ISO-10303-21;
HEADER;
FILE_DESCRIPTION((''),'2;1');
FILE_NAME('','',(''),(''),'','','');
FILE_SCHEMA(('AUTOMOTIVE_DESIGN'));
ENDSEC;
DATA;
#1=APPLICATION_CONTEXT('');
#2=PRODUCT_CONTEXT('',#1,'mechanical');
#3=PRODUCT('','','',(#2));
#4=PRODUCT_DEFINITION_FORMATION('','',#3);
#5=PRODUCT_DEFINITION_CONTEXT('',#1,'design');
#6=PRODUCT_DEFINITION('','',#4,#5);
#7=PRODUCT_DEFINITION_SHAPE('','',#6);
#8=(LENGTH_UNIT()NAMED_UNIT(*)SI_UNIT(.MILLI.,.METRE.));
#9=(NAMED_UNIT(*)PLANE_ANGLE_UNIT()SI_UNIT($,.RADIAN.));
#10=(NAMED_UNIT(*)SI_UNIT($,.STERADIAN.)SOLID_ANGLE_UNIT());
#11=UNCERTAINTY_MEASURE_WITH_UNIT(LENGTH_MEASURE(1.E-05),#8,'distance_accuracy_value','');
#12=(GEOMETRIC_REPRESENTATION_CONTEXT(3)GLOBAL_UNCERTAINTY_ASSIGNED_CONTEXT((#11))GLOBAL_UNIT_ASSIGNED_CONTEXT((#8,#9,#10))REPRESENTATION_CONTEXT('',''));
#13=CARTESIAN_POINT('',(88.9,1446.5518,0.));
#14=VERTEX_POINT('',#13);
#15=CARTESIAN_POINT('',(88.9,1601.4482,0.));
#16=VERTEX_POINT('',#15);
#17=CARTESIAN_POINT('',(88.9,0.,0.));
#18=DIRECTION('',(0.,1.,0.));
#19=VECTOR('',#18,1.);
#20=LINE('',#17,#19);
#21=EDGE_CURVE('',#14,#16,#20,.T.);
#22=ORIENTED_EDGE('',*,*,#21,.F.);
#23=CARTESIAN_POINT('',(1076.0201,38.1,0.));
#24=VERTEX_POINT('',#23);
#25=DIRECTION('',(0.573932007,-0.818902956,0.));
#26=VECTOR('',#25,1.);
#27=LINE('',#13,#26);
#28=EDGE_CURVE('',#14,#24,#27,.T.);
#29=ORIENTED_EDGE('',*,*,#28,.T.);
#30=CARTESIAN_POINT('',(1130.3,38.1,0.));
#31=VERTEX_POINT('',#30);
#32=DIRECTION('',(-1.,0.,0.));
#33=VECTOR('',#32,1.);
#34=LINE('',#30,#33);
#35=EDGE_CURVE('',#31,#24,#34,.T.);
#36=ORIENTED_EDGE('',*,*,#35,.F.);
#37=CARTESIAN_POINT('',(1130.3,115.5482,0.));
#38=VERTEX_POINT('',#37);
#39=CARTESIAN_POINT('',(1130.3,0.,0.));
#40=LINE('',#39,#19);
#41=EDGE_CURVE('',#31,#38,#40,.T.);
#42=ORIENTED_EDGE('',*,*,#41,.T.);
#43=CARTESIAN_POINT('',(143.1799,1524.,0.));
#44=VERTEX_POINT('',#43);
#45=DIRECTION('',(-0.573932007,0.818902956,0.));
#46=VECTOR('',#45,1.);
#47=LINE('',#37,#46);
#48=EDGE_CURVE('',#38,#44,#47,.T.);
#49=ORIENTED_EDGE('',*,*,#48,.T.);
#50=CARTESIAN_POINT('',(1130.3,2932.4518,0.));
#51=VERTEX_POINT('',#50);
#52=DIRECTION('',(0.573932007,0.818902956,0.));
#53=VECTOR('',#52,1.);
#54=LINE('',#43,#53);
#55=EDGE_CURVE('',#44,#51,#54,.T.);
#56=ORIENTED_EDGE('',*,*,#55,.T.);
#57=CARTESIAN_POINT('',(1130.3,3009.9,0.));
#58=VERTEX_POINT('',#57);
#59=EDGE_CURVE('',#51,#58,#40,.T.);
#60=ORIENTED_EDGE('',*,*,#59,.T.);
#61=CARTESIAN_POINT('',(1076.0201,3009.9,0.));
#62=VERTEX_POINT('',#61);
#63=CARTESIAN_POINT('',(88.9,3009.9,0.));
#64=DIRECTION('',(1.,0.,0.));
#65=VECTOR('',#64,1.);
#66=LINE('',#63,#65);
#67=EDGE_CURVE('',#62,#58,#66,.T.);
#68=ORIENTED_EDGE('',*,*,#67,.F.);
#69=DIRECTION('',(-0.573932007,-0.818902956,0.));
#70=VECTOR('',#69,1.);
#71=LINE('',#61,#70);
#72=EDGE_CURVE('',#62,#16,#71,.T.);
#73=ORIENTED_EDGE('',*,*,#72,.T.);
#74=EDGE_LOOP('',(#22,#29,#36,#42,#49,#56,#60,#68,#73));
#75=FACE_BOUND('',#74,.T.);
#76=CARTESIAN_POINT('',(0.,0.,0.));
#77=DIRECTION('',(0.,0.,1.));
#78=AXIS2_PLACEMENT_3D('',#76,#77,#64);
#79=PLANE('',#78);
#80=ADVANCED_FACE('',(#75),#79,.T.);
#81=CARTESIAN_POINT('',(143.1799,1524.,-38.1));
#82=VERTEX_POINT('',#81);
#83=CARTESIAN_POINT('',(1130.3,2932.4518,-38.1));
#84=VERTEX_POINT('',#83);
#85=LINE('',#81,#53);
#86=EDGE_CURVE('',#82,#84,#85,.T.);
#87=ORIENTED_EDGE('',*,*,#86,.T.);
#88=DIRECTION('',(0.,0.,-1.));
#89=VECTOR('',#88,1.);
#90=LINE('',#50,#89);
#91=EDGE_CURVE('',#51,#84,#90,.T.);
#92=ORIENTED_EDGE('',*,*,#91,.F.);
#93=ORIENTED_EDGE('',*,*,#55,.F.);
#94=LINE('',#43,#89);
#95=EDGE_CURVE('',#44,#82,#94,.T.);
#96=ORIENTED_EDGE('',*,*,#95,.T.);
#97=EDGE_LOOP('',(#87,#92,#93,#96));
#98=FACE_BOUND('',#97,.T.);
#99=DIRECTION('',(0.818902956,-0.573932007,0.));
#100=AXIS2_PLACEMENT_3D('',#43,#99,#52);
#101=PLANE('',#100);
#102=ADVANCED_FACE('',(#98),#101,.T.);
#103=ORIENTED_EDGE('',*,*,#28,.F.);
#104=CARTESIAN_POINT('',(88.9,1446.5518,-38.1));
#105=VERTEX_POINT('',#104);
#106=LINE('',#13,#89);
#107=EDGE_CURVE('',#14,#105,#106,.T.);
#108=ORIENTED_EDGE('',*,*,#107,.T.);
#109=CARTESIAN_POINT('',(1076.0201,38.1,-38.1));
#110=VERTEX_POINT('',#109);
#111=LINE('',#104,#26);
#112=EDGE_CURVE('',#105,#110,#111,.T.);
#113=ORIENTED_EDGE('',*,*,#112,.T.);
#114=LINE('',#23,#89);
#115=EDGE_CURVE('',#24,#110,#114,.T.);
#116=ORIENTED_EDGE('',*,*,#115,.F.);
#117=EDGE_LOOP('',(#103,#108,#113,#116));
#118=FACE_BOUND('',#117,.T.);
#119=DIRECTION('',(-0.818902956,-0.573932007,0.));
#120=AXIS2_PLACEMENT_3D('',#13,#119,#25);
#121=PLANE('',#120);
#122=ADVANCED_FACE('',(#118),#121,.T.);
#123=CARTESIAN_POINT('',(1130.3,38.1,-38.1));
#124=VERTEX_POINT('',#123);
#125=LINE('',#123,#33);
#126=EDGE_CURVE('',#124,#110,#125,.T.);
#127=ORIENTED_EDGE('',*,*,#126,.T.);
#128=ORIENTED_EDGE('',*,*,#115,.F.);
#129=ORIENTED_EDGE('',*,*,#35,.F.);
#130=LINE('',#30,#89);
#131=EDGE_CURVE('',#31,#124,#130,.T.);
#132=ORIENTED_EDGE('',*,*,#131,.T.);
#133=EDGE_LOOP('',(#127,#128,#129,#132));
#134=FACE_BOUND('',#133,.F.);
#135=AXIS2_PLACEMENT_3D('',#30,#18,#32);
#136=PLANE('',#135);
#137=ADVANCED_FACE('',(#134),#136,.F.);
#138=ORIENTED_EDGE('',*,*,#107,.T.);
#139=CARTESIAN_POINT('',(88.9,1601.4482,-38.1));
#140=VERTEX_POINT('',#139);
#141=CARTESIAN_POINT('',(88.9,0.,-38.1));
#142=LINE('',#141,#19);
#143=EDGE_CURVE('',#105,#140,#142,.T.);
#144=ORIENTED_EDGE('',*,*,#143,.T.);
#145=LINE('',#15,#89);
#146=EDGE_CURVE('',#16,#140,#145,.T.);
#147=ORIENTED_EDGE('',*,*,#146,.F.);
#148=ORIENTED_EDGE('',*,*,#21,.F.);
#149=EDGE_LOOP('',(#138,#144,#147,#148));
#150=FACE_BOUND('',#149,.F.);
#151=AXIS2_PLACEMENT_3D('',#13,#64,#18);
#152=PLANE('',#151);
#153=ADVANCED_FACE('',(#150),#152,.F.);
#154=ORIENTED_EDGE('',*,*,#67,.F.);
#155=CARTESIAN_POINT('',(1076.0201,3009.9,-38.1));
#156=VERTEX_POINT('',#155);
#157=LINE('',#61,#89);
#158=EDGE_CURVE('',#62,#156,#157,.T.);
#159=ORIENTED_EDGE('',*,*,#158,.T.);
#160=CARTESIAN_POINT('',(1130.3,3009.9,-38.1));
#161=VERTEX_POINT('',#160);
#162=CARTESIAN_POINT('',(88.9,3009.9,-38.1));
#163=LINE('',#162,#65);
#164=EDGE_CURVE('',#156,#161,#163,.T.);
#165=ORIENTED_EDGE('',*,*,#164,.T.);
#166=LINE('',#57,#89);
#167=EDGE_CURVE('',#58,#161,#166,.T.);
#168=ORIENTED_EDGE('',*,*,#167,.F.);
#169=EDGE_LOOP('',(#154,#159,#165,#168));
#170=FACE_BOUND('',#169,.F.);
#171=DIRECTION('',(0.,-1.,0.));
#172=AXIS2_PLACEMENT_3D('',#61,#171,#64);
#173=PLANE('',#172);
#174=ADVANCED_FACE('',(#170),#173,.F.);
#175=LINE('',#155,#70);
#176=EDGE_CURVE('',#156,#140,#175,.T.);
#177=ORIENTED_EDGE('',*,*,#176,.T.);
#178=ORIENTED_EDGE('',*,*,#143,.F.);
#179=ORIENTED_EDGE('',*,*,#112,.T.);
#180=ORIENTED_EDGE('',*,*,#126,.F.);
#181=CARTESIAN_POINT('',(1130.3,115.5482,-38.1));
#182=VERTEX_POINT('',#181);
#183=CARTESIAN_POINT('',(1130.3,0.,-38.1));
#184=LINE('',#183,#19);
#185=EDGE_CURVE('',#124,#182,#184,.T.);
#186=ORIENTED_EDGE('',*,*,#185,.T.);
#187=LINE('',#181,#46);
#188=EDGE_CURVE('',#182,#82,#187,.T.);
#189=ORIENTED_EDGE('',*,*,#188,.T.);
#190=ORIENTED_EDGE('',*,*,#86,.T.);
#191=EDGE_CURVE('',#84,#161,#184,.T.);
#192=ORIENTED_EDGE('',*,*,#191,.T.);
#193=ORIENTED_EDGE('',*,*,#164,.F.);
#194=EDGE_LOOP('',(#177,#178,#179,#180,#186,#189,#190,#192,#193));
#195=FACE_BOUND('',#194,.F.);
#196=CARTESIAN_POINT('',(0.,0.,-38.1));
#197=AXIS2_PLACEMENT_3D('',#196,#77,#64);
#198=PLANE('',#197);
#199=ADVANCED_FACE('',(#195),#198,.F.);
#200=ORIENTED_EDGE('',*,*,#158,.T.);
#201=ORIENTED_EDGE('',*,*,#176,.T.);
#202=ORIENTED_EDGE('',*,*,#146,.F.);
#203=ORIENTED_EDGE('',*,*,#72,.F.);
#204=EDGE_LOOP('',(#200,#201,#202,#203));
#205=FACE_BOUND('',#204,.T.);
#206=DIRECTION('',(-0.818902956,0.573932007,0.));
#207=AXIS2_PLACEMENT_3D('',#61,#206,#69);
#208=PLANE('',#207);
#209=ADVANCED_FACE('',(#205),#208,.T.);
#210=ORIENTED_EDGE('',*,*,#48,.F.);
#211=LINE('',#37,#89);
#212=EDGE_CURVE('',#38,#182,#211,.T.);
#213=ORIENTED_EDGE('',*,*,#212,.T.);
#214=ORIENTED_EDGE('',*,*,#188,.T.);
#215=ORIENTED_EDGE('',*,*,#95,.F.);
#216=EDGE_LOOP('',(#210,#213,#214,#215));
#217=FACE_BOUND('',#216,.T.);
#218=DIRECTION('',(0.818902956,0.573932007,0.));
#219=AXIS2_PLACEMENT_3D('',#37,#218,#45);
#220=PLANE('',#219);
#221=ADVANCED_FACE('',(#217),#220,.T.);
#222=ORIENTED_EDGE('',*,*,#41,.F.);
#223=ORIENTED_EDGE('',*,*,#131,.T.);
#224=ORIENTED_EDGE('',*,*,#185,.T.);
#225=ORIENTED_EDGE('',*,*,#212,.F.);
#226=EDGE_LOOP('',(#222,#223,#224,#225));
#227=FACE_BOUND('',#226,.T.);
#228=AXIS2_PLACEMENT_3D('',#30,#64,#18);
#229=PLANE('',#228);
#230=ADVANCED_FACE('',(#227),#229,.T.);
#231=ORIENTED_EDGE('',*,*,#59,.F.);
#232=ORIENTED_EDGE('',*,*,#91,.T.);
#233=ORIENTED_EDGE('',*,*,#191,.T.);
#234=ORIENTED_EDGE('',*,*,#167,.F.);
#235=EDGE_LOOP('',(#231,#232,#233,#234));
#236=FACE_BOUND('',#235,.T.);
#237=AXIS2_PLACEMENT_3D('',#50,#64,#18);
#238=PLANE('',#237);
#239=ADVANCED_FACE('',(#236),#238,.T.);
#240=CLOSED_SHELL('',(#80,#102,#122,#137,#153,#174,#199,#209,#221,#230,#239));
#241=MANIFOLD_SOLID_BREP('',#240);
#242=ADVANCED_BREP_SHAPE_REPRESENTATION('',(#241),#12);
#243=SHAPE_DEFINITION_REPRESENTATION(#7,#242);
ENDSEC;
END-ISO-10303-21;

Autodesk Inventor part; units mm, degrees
ref_plane "YZ Plane" through (0, 0, 0) normal (1, 0, 0) x (0, 1, 0)
ref_plane "XZ Plane" through (0, 0, 0) normal (0, 1, 0) x (-1, 0, 0)
ref_plane "XY Plane" through (0, 0, 0) normal (0, 0, 1) x (1, 0, 0)
sketch "Sketch1" plane through (0, 0, 0) normal (0, 0, 1) x (1, 0, 0)
  line L0 (88.9, 0) -> (88.9, 3048) projected
  line L1 (1130.3, 38.1) -> (88.9, 38.1) projected
  line L2 (1130.3, 0) -> (1130.3, 3048) projected
  line L3 (88.9, 3009.9) -> (1130.3, 3009.9) projected
  line L4 (1130.3, 115.5482) -> (143.1799, 1524)
  line L5 (143.1799, 1524) -> (1130.3, 2932.4518)
  line L6 (1076.0201, 3009.9) -> (88.9, 1601.4482)
  line L7 (88.9, 1446.5518) -> (1076.0201, 38.1)
  line L8 (1076.0201, 38.1) -> (1130.3, 38.1)
  line L9 (1130.3, 38.1) -> (1130.3, 115.5482)
  line L10 (1130.3, 2932.4518) -> (1130.3, 3009.9)
  line L11 (1076.0201, 3009.9) -> (1130.3, 3009.9)
  line L12 (88.9, 1601.4482) -> (88.9, 1446.5518)
  line L13 (88.9, 1446.5518) -> (88.9, 1601.4482)
  point P0 (0, 0)
extrude "Extrusion1" add sketch "Sketch1" against normal blind 38.1 contours L0 L6 L3 L2 L5 L4 L1 L7
properties part number "side2"
